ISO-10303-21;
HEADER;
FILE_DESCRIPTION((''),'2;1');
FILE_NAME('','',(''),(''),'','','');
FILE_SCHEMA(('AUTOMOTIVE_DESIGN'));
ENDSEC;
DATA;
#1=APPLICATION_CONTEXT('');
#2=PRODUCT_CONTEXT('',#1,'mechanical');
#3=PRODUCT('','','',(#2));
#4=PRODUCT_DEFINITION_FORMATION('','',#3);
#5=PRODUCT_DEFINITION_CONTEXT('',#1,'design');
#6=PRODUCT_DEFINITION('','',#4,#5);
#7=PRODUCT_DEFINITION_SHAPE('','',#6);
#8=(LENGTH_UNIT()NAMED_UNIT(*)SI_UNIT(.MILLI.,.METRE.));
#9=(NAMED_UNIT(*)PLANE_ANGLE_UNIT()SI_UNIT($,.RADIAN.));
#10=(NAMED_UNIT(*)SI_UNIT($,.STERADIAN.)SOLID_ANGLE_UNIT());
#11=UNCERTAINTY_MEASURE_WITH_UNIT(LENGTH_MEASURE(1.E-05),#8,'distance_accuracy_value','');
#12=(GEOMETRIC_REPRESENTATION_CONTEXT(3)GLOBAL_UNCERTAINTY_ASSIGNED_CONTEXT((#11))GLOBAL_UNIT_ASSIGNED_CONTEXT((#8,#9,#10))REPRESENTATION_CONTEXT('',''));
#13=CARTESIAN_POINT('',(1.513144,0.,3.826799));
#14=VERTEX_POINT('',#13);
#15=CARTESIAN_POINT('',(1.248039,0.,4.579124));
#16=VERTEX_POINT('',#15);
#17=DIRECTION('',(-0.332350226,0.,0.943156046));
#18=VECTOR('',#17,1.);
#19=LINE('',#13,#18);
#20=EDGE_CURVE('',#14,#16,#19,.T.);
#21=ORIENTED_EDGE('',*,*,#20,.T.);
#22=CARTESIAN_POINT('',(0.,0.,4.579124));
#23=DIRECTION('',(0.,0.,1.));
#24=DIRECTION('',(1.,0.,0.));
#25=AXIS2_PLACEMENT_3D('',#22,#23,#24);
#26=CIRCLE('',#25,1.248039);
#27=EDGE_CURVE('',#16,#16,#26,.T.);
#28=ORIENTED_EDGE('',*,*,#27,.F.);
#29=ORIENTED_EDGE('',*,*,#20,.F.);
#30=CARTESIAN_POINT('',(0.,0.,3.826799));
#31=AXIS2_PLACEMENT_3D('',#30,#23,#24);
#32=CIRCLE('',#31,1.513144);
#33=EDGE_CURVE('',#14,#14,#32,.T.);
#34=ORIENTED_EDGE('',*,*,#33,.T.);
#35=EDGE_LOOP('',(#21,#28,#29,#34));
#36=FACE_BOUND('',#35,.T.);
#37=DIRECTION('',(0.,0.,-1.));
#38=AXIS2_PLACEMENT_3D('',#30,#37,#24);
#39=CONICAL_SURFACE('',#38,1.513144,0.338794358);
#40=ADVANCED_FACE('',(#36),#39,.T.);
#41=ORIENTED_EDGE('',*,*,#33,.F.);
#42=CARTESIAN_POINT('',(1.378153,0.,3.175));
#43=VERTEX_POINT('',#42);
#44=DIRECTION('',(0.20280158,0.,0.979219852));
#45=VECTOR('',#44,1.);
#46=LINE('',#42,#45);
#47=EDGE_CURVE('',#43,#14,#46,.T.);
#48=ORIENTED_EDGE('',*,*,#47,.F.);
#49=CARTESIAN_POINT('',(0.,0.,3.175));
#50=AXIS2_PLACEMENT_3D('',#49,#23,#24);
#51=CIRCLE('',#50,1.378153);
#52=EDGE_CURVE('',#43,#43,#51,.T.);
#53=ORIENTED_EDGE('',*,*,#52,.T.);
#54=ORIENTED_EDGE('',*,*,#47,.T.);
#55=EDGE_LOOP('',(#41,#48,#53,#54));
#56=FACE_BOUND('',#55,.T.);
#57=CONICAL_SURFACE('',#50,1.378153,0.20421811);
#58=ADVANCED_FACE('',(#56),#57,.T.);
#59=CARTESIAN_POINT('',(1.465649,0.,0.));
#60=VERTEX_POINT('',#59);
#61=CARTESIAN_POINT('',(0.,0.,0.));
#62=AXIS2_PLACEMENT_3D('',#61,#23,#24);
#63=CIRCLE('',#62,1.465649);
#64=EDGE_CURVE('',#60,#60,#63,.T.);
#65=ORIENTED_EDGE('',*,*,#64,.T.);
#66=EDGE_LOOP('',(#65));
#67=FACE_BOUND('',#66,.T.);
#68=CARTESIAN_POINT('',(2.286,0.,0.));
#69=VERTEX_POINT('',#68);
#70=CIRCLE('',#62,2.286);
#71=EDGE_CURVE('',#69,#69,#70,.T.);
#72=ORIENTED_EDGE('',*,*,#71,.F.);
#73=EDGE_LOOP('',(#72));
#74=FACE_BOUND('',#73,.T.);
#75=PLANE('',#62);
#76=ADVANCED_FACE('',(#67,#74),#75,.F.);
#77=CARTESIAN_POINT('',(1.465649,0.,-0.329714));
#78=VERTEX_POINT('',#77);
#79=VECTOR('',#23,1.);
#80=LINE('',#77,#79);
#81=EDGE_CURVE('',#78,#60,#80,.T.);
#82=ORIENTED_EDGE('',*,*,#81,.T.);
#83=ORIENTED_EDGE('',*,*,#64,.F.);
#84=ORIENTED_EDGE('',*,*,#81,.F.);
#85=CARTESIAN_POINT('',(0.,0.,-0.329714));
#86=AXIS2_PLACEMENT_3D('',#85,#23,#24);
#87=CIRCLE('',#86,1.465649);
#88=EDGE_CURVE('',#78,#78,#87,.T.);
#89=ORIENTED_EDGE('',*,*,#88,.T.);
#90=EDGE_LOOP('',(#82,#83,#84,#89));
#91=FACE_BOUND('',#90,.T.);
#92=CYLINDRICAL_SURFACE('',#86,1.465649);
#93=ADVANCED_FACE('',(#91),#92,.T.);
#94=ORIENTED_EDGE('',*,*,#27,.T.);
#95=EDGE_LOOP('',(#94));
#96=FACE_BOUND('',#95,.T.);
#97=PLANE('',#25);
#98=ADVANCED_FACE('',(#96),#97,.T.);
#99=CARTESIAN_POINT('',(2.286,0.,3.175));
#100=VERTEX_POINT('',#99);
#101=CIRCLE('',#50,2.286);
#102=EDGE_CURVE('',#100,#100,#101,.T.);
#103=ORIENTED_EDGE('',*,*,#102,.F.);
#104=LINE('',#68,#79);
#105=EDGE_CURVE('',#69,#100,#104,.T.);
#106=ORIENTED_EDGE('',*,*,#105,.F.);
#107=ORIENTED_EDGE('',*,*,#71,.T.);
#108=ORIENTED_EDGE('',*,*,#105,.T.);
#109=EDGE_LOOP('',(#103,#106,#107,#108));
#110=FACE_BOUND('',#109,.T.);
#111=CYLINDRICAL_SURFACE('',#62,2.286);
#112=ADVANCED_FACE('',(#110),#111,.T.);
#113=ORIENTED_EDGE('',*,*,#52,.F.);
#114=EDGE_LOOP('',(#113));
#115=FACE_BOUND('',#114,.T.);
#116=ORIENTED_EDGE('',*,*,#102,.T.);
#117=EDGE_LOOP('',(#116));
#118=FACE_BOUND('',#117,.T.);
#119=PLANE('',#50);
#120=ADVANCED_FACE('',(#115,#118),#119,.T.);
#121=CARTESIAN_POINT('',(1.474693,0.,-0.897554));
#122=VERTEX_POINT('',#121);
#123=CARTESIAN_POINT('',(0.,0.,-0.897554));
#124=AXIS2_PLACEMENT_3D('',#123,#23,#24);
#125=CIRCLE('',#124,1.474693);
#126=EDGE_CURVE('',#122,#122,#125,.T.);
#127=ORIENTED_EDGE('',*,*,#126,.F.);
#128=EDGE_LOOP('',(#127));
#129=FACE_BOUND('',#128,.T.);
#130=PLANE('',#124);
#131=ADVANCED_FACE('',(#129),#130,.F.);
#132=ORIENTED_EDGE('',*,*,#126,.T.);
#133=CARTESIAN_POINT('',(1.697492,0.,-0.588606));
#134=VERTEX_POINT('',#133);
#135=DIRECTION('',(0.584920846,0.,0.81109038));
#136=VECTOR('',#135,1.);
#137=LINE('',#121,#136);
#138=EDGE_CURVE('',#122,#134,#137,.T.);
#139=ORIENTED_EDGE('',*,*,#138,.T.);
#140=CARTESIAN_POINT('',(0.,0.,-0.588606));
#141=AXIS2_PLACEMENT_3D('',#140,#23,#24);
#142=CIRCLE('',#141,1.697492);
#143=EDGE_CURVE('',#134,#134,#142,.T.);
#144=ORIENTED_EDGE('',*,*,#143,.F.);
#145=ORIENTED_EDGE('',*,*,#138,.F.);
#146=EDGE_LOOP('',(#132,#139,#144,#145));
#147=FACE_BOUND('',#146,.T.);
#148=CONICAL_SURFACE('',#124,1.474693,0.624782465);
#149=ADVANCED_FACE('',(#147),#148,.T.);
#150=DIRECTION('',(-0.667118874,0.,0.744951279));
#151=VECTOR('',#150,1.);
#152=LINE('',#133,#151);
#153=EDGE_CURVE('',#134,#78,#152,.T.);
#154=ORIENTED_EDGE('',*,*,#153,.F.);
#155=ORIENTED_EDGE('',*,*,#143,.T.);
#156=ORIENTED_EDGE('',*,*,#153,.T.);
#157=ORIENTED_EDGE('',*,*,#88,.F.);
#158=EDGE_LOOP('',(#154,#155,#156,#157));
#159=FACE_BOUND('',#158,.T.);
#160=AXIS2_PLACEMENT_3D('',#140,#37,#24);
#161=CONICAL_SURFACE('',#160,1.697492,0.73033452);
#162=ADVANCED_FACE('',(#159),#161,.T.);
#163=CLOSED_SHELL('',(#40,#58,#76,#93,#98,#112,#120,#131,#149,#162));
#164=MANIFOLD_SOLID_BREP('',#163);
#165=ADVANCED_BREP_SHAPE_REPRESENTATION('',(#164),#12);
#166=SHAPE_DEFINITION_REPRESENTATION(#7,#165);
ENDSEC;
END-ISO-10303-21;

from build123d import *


with BuildPart() as f1:
    # F0 (on Front) → F1 (revolve)
    with BuildSketch(Plane.XZ):
        Polygon((0, 4.579124), (0, 3.175), (1.378153, 3.175), (1.513144, 3.826799), (1.248039, 4.579124), align=None)
        Polygon((1.465649, 0), (0, 0), (0, -0.897554), (1.474693, -0.897554), (1.697492, -0.588606), (1.465649, -0.329714), align=None)
        Polygon((0, 3.175), (0, 0), (1.465649, 0), (2.286, 0), (2.286, 3.175), (1.378153, 3.175), align=None)
    revolve(axis=Axis((0, 0, 2.419859), (0, 0, 1)))


solid = f1.part
